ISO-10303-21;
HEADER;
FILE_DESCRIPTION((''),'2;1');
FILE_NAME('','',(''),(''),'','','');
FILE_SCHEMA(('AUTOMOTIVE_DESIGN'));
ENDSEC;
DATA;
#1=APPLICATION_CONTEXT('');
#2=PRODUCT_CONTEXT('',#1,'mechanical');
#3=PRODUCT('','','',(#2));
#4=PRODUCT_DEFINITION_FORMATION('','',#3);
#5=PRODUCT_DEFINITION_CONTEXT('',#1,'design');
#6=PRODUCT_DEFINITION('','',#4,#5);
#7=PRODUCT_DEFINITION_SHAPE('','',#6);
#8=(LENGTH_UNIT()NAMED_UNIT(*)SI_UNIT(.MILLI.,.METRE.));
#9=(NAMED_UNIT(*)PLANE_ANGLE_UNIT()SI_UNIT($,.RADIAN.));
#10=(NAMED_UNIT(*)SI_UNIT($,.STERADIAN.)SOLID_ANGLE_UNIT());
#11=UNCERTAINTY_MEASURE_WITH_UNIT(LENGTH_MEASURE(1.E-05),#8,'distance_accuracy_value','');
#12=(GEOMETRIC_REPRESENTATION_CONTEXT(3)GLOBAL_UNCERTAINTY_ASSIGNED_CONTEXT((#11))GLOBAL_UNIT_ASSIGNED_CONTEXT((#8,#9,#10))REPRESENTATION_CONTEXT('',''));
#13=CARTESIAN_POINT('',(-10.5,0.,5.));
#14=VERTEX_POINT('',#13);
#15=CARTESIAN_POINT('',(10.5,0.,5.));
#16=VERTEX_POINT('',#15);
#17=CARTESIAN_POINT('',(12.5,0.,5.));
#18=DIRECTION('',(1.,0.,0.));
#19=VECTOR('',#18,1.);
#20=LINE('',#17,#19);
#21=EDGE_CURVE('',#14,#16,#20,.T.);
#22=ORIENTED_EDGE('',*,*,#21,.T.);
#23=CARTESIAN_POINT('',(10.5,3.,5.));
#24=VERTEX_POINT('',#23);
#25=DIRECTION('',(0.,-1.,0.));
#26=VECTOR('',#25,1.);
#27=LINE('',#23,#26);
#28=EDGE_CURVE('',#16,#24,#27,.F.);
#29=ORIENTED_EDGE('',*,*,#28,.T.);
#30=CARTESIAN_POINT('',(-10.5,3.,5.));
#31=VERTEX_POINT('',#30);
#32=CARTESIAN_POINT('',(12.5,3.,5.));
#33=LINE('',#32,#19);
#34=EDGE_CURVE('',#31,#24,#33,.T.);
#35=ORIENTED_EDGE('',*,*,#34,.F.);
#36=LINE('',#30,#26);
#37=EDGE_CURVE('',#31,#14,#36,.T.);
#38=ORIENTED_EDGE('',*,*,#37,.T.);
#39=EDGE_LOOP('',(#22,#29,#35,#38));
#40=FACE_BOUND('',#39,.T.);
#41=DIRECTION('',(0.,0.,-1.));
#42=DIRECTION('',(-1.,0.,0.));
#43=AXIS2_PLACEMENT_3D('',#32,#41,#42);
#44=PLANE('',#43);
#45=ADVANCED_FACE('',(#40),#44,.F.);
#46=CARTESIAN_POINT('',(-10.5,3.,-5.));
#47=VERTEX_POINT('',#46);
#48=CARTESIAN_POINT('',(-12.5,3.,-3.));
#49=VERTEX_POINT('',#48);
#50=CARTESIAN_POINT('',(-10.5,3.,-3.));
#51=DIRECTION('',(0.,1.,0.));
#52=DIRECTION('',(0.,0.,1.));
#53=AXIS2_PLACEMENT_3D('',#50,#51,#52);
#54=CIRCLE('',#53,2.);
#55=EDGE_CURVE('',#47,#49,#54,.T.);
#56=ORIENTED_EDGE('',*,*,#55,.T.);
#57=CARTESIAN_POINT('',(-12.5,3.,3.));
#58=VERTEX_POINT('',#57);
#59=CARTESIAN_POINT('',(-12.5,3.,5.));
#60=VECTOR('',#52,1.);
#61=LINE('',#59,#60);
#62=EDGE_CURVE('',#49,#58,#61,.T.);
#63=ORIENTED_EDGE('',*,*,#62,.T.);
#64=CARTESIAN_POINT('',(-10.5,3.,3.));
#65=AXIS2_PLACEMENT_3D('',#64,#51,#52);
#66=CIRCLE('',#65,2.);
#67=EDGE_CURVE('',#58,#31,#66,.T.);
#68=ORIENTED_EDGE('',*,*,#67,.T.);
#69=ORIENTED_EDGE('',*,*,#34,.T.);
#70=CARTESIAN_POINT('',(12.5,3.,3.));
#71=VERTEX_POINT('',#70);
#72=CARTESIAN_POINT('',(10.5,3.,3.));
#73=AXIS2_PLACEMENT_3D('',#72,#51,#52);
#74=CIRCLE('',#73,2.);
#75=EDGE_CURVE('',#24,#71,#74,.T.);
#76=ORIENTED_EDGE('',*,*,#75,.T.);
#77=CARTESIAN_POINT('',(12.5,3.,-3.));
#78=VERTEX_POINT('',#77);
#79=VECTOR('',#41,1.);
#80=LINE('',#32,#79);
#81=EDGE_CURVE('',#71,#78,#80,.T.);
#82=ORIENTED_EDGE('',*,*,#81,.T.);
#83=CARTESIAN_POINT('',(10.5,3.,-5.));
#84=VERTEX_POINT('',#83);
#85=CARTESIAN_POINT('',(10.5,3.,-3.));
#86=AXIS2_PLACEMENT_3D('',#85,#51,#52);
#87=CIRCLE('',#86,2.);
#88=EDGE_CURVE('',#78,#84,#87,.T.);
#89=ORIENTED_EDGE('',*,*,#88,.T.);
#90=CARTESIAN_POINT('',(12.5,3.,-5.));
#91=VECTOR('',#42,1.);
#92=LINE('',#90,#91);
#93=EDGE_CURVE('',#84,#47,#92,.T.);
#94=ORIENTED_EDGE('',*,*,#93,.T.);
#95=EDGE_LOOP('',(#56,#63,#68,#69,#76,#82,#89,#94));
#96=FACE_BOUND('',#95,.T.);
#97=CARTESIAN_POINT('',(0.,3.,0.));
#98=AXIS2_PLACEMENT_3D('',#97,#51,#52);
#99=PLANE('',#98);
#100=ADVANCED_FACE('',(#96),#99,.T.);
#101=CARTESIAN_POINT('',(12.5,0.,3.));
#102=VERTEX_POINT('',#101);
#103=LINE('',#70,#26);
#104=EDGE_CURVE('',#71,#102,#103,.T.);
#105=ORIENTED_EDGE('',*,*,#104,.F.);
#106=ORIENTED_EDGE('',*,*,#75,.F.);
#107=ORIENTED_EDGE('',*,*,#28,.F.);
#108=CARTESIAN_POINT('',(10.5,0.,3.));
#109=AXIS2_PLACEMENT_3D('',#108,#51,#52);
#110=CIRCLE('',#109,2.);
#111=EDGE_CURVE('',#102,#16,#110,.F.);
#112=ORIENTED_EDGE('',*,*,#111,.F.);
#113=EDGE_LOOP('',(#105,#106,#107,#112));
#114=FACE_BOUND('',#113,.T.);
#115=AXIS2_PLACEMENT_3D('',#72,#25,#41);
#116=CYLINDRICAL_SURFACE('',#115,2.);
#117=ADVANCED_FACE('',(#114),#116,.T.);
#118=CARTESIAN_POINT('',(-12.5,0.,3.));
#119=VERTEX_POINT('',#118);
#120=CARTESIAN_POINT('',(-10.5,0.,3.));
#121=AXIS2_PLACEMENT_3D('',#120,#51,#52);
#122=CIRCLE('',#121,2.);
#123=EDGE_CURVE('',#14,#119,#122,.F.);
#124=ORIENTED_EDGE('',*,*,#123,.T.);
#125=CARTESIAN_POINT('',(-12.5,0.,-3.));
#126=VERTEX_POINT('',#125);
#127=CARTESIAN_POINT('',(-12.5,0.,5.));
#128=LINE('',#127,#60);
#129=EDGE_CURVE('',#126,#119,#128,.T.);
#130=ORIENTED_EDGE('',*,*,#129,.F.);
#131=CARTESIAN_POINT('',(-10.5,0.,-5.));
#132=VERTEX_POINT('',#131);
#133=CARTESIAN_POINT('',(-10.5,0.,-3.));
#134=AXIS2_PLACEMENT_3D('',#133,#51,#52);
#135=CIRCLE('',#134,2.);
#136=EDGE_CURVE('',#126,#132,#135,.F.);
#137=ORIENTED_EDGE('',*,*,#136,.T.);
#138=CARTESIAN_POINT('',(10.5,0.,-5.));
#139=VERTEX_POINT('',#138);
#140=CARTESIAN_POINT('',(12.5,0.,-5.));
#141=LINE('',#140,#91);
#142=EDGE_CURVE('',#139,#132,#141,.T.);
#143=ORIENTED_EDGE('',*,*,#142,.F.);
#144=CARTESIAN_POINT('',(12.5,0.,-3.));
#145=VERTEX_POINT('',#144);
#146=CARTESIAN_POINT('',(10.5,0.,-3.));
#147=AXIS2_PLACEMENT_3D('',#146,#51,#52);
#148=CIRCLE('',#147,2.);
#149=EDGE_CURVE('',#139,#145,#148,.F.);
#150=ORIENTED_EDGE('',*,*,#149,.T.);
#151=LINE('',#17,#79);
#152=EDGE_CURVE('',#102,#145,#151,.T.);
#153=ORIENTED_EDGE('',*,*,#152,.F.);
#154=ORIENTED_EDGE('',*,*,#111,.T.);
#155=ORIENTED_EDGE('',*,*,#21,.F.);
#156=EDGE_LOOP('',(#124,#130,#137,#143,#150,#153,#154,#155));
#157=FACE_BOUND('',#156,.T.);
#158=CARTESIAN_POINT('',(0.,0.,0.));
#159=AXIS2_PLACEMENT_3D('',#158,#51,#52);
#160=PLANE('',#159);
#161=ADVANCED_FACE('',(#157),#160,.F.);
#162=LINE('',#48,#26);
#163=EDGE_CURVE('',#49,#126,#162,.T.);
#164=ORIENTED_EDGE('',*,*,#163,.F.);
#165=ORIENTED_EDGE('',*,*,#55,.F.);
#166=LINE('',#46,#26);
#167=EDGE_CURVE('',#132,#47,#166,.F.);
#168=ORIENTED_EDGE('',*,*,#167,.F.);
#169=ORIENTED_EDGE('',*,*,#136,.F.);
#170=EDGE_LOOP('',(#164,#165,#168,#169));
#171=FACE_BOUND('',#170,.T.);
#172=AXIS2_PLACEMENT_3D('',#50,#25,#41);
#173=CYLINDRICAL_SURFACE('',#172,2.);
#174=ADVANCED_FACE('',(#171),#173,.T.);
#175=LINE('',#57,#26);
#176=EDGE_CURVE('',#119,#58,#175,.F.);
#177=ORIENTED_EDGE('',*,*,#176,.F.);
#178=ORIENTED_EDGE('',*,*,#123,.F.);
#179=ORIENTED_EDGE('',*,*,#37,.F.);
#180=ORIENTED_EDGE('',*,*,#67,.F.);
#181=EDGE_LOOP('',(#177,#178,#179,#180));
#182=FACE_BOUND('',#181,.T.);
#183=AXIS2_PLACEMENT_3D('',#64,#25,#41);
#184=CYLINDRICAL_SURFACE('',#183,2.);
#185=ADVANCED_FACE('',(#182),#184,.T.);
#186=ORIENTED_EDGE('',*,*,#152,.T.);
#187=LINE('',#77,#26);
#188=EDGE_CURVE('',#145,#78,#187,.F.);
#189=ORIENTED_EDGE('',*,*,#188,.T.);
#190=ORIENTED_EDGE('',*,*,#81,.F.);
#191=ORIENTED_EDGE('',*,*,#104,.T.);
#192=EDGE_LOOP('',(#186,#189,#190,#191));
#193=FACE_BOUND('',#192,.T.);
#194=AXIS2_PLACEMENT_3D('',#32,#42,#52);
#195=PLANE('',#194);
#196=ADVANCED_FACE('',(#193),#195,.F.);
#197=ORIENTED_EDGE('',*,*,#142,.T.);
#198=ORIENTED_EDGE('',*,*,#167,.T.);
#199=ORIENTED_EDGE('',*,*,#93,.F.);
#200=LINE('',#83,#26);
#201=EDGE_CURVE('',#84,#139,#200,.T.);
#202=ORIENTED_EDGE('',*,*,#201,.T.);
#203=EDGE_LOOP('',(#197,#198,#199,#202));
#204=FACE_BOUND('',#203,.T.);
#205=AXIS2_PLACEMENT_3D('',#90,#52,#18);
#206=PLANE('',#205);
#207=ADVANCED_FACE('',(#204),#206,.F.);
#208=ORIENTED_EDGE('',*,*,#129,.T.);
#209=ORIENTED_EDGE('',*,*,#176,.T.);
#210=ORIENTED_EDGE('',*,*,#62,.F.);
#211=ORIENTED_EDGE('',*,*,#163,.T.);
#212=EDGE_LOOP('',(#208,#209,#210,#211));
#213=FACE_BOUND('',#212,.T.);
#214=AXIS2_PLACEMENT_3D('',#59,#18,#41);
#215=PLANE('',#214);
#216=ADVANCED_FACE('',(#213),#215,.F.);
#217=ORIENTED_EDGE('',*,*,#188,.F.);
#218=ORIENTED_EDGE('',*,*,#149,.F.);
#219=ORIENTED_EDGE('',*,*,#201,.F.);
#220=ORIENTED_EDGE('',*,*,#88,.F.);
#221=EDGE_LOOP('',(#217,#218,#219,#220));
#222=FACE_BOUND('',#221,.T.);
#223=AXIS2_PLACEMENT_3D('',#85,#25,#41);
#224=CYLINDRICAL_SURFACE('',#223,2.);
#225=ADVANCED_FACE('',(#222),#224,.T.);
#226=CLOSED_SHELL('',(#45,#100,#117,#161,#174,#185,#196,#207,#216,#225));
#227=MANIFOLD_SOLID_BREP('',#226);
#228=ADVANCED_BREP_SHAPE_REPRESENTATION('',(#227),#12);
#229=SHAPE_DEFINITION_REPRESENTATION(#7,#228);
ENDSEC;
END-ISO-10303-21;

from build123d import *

# Parameters (mm, degrees)
SKETCH1_W           = 25
SKETCH1_H           = 10
BOSS_EXTRUDE1_DEPTH = 3
FILLET1_R           = 2


with BuildPart() as part:
    # Sketch1 → Boss-Extrude1 (new body)
    with BuildSketch(Plane(origin=(0, 0, 0), x_dir=(1, 0, 0), z_dir=(0, 1, 0))):
        Rectangle(SKETCH1_W, SKETCH1_H)
    extrude(amount=BOSS_EXTRUDE1_DEPTH)

    # Fillet1
    fillet1_edges = [part.edges().sort_by_distance(p)[0] for p in [
        (-12.5, 1.5, -5),
        (12.5, 1.5, -5),
        (12.5, 1.5, 5),
        (-12.5, 1.5, 5),
    ]]
    fillet(fillet1_edges, radius=FILLET1_R)


solid = part.part
